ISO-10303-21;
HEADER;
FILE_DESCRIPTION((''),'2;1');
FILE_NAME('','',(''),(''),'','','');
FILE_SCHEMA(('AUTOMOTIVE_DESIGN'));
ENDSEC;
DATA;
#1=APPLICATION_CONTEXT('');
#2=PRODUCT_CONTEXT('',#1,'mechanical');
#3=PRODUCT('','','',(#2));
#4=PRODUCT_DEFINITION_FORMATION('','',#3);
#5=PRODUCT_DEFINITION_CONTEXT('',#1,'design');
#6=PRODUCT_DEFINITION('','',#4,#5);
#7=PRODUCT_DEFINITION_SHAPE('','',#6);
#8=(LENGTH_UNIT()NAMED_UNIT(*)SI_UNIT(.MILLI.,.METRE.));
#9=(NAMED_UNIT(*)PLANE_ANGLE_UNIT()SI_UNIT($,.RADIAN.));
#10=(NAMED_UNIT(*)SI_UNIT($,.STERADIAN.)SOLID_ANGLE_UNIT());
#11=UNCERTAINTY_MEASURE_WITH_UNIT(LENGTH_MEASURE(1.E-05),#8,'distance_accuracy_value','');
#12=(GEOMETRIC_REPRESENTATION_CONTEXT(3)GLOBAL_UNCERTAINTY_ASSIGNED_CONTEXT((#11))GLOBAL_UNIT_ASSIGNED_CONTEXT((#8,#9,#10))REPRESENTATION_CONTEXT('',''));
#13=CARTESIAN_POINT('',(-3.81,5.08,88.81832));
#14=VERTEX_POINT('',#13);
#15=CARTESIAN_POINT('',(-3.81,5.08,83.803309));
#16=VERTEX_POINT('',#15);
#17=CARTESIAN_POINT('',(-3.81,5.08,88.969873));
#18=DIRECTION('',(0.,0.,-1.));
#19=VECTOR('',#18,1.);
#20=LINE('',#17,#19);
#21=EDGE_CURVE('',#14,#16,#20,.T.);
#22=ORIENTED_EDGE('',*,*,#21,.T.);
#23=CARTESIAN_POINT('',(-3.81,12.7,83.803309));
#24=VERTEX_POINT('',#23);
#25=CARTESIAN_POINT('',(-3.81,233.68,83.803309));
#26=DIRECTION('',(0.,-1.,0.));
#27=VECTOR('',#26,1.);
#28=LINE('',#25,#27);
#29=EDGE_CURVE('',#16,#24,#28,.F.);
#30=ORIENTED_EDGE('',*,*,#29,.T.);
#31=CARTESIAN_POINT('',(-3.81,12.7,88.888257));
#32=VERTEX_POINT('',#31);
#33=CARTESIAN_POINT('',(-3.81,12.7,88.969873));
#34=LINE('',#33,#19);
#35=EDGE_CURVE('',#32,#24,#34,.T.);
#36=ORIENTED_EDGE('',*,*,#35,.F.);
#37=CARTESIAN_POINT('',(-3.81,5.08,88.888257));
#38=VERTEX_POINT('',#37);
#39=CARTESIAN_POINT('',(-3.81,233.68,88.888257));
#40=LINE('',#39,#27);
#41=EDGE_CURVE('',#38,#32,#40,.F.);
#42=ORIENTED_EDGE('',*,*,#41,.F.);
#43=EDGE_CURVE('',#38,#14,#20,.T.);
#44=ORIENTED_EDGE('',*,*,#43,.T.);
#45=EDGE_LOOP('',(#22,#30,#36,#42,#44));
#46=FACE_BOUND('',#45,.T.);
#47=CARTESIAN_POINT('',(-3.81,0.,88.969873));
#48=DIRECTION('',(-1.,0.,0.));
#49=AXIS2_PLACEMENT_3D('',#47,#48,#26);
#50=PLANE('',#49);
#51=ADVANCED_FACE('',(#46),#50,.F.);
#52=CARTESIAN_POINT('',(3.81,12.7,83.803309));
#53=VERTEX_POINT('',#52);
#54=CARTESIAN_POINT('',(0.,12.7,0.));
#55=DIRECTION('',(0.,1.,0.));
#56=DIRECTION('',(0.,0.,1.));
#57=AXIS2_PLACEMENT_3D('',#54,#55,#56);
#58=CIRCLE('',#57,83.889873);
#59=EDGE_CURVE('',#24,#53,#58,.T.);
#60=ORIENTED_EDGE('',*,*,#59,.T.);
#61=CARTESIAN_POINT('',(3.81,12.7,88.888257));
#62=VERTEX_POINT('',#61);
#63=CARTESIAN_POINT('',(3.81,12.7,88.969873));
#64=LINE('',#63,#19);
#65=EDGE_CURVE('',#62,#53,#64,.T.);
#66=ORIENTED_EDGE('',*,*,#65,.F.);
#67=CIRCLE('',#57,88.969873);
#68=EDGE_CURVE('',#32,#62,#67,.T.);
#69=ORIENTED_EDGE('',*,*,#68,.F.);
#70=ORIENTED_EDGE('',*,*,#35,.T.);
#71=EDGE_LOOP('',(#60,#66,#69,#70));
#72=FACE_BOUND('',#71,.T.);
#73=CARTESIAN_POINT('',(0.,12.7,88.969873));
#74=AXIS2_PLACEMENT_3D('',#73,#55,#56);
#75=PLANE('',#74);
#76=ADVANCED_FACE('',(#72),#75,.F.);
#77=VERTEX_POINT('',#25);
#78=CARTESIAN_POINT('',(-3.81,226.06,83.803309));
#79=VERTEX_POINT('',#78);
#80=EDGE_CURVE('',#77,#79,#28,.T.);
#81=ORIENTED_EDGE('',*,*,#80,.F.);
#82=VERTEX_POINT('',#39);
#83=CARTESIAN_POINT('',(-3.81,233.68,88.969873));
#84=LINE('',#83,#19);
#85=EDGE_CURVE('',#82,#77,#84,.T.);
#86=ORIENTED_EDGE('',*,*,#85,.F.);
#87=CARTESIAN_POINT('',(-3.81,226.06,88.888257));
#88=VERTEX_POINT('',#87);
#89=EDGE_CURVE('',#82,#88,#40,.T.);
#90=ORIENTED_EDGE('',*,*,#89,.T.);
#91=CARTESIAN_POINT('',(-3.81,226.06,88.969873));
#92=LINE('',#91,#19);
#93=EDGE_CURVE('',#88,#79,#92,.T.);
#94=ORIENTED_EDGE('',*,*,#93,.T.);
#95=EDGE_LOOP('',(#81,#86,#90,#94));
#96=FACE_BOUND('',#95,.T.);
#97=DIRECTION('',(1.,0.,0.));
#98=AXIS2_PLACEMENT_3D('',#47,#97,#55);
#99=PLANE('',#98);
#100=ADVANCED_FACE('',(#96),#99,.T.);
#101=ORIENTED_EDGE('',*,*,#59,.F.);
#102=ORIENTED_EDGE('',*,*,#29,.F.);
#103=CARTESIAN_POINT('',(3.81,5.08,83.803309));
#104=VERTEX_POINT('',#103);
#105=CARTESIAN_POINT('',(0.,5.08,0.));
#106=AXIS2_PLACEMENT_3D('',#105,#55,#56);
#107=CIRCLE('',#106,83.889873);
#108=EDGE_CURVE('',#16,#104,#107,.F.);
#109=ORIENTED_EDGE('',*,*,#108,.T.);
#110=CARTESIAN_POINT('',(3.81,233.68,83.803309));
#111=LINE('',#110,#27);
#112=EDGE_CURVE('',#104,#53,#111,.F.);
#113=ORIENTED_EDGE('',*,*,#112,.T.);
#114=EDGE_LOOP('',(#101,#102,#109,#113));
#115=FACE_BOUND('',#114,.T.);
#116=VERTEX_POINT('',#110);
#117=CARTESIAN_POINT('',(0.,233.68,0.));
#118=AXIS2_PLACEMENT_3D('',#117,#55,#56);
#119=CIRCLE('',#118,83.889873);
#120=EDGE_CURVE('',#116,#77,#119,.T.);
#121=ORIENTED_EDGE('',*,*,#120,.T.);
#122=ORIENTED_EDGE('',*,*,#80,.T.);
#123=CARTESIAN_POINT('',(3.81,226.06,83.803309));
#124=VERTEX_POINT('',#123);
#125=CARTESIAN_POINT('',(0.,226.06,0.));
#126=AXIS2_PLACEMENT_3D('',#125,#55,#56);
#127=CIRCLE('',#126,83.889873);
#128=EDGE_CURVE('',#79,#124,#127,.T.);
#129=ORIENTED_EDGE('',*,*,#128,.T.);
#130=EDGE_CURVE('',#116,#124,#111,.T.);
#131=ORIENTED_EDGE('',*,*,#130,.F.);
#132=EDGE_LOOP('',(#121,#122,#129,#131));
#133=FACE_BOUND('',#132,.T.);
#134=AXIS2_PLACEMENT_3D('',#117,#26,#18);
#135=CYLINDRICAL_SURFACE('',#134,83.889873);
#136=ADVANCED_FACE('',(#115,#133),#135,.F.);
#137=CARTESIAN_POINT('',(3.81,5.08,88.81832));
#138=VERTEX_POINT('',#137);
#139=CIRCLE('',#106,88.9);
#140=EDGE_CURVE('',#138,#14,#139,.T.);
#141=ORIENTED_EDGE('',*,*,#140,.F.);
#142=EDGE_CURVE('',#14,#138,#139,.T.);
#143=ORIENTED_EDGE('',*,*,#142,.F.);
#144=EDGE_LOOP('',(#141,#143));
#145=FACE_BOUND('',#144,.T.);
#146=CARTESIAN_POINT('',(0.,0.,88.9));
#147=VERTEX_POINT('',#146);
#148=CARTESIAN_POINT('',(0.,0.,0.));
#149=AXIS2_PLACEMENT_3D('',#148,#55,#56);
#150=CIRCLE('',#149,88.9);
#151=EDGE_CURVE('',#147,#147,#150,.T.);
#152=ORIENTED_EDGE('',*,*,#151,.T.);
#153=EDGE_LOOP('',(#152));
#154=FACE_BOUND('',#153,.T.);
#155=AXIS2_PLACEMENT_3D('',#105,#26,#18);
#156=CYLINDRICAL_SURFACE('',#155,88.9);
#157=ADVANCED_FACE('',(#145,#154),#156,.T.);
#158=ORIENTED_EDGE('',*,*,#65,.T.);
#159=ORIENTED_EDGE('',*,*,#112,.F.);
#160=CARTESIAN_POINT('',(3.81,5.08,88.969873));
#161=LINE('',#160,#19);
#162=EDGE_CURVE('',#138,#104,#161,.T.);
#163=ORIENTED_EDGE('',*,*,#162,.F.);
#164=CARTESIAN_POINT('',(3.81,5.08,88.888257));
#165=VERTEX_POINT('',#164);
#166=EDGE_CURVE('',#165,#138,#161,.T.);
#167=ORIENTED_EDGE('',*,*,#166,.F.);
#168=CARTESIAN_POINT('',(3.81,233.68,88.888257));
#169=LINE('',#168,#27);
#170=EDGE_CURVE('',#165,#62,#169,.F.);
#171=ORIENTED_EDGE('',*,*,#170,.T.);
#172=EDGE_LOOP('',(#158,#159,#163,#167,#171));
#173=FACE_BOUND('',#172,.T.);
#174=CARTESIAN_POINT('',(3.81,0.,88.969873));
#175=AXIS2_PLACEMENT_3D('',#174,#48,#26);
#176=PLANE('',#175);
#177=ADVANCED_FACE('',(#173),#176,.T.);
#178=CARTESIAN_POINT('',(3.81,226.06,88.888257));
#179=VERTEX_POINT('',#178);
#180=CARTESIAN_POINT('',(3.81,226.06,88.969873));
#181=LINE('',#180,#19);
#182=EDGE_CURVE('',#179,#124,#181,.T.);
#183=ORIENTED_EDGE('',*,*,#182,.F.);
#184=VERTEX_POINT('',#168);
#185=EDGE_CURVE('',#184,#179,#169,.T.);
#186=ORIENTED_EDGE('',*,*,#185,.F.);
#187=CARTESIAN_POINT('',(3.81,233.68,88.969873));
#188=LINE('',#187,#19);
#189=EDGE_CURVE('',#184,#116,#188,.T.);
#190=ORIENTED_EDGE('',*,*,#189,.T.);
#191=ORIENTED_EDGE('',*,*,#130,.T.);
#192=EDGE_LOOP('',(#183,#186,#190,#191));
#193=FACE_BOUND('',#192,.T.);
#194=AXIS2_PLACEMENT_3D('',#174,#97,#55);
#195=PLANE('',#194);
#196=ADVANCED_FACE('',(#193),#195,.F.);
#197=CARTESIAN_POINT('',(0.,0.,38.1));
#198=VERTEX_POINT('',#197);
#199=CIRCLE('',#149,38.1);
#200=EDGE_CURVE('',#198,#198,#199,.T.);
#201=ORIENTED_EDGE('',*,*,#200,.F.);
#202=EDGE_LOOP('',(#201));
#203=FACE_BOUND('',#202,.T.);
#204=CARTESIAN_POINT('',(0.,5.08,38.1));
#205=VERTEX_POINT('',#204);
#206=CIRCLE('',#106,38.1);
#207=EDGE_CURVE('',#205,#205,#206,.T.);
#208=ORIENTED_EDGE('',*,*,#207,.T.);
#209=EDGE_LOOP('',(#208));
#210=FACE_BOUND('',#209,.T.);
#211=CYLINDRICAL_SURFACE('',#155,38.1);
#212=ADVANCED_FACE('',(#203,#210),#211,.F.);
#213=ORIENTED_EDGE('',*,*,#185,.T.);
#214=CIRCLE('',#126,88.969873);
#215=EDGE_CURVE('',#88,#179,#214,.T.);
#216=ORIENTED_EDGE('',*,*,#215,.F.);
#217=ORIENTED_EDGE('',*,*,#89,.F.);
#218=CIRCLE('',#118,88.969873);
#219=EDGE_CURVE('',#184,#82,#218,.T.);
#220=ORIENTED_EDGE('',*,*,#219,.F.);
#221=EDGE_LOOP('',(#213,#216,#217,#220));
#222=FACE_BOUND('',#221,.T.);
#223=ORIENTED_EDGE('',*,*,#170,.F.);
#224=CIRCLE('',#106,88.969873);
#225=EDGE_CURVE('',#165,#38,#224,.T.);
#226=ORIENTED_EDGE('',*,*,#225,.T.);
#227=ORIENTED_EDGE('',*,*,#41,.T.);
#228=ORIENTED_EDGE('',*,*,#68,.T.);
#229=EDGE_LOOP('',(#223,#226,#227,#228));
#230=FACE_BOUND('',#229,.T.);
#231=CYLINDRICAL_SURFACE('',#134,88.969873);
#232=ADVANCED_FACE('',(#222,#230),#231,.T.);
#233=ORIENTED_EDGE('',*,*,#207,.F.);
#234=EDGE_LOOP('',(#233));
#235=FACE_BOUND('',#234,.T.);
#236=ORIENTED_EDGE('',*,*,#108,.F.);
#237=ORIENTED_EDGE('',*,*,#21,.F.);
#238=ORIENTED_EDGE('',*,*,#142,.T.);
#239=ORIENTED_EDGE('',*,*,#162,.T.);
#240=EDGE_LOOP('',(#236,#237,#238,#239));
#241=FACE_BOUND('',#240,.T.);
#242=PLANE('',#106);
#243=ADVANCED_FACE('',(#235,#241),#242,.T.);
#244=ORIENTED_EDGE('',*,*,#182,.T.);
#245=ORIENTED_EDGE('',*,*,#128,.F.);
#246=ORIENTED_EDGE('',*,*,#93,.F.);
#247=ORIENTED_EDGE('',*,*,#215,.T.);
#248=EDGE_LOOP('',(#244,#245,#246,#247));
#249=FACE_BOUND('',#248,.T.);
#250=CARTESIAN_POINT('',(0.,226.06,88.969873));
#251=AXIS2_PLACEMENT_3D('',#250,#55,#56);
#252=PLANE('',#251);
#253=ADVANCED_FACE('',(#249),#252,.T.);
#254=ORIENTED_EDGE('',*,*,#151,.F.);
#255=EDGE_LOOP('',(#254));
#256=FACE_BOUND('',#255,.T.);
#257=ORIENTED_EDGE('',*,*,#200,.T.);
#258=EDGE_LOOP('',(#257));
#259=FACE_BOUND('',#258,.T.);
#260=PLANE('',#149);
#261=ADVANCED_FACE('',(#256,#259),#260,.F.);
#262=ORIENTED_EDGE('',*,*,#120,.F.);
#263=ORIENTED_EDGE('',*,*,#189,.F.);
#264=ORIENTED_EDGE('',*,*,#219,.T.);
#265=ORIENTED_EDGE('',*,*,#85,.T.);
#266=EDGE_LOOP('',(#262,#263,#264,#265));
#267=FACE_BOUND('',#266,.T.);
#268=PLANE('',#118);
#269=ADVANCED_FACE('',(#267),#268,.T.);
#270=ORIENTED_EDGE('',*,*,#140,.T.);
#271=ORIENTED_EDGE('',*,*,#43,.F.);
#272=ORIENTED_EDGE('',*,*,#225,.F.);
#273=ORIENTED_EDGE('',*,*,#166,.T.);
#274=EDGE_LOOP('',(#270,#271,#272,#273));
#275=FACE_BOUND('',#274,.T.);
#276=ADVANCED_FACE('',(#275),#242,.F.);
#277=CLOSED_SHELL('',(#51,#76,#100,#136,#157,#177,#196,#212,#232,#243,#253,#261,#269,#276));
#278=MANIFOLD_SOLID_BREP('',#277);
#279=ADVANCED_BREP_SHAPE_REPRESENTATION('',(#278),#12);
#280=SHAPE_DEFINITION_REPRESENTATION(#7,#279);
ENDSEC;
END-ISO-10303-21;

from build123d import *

# Parameters (mm, degrees)
SKETCH1_R           = 88.9
SKETCH1_R_2         = 38.1
BOSS_EXTRUDE1_DEPTH = 5.08
SKETCH2_R           = 88.969872842
SKETCH2_R_2         = 83.889872842
BOSS_EXTRUDE2_DEPTH = 228.6
SKETCH3_W           = 7.62
SKETCH3_H           = 7.62
CUT_EXTRUDE1_DEPTH  = 89.969872842


with BuildPart() as part:
    # Sketch1 → Boss-Extrude1 (new body)
    with BuildSketch(Plane(origin=(0, 0, 0), x_dir=(1, 0, 0), z_dir=(0, 1, 0))):
        Circle(SKETCH1_R)
        Circle(SKETCH1_R_2, mode=Mode.SUBTRACT)
    extrude(amount=BOSS_EXTRUDE1_DEPTH)

    # Sketch2 → Boss-Extrude2 (add)
    with BuildSketch(Plane(origin=(0, 5.08, 0), x_dir=(1, 0, 0), z_dir=(0, 1, 0))):
        Circle(SKETCH2_R)
        Circle(SKETCH2_R_2, mode=Mode.SUBTRACT)
    extrude(amount=BOSS_EXTRUDE2_DEPTH)

    # Sketch3 → Cut-Extrude1 (cut, through all)
    with BuildSketch(Plane.XY):
        with Locations((0, 229.87)):
            Rectangle(SKETCH3_W, SKETCH3_H)
        with Locations((0, 8.89)):
            Rectangle(SKETCH3_W, SKETCH3_H)
    extrude(amount=CUT_EXTRUDE1_DEPTH, mode=Mode.SUBTRACT)


solid = part.part
